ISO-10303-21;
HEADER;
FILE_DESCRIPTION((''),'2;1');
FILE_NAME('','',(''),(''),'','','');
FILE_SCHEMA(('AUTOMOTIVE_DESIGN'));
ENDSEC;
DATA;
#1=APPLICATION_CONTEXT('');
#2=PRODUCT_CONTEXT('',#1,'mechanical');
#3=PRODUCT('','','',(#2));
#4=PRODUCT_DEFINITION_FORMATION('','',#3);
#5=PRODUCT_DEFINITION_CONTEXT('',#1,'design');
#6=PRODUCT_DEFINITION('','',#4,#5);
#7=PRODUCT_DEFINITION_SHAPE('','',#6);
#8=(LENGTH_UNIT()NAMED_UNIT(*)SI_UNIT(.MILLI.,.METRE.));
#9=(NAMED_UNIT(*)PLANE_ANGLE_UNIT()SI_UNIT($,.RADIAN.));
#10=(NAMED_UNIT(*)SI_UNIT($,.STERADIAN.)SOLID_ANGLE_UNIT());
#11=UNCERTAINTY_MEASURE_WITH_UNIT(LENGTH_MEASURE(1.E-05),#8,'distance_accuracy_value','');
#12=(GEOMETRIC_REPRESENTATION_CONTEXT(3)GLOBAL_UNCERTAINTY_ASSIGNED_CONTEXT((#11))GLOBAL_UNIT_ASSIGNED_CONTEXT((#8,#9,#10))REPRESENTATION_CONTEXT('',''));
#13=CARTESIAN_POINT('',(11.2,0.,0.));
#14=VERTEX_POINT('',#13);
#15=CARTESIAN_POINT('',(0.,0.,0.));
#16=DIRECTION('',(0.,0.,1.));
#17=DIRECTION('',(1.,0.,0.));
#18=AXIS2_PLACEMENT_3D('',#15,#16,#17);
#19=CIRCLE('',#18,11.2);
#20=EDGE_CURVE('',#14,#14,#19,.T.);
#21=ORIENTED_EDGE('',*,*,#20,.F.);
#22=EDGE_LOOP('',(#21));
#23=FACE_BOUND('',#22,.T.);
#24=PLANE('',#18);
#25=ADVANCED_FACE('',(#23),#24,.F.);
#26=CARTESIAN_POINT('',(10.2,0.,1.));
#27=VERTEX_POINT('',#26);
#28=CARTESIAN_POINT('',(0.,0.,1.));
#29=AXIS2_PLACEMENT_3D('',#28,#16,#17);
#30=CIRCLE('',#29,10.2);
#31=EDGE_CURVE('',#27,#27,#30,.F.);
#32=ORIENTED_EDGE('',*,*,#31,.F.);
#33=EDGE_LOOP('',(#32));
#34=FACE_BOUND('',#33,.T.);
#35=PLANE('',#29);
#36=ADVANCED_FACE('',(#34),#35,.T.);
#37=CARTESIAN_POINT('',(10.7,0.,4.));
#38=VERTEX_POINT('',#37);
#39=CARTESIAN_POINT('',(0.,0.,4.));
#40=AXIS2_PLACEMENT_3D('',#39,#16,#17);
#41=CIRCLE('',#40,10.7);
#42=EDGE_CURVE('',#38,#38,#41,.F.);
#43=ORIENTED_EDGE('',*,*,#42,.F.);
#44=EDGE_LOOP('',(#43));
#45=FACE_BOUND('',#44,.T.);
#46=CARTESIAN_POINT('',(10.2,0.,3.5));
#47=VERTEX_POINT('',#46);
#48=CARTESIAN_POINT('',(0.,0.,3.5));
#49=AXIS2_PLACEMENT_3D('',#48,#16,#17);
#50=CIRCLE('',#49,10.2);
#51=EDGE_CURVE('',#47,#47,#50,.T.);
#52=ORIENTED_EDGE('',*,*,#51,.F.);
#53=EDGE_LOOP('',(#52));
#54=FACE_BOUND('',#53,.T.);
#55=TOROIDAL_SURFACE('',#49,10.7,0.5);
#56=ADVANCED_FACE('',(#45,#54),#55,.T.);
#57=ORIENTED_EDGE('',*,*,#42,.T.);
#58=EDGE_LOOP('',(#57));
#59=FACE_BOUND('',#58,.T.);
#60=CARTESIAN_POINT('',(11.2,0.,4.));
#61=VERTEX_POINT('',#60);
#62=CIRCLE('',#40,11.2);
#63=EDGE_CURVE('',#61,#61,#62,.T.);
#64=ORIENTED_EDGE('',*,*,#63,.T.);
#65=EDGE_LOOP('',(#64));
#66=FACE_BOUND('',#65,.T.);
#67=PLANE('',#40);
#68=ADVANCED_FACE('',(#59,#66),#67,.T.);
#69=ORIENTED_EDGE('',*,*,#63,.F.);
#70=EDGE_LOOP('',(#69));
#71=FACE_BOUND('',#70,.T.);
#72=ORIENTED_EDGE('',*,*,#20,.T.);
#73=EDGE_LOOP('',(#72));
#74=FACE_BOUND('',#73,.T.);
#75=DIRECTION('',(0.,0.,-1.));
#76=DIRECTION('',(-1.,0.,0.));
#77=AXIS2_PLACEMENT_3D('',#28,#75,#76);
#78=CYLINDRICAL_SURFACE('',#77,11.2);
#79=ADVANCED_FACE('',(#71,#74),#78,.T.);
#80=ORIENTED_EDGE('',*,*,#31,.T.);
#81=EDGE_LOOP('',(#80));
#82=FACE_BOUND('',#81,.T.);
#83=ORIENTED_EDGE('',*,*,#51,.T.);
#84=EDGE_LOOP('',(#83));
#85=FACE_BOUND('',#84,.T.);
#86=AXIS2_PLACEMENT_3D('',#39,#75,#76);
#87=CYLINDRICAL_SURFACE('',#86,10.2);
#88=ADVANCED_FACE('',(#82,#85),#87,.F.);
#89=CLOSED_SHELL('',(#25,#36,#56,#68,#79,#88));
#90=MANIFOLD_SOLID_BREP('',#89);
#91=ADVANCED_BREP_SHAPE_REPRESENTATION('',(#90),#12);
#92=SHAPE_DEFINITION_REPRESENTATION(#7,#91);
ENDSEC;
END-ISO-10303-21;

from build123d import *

# Parameters (mm, degrees)
SKETCH1_R           = 11.2
BOSS_EXTRUDE1_DEPTH = 1
SKETCH2_R           = 11.2
SKETCH2_R_2         = 10.2
BOSS_EXTRUDE2_DEPTH = 3
FILLET1_R           = 0.5


with BuildPart() as part:
    # Sketch1 → Boss-Extrude1 (new body)
    with BuildSketch(Plane.XY):
        Circle(SKETCH1_R)
    extrude(amount=BOSS_EXTRUDE1_DEPTH)

    # Sketch2 → Boss-Extrude2 (add)
    with BuildSketch(Plane.XY.offset(1)):
        Circle(SKETCH2_R)
        Circle(SKETCH2_R_2, mode=Mode.SUBTRACT)
    extrude(amount=BOSS_EXTRUDE2_DEPTH)

    # Fillet1
    fillet1_edges = [part.edges().sort_by_distance(p)[0] for p in [
        (-10.2, 0, 4),
    ]]
    fillet(fillet1_edges, radius=FILLET1_R)


solid = part.part
